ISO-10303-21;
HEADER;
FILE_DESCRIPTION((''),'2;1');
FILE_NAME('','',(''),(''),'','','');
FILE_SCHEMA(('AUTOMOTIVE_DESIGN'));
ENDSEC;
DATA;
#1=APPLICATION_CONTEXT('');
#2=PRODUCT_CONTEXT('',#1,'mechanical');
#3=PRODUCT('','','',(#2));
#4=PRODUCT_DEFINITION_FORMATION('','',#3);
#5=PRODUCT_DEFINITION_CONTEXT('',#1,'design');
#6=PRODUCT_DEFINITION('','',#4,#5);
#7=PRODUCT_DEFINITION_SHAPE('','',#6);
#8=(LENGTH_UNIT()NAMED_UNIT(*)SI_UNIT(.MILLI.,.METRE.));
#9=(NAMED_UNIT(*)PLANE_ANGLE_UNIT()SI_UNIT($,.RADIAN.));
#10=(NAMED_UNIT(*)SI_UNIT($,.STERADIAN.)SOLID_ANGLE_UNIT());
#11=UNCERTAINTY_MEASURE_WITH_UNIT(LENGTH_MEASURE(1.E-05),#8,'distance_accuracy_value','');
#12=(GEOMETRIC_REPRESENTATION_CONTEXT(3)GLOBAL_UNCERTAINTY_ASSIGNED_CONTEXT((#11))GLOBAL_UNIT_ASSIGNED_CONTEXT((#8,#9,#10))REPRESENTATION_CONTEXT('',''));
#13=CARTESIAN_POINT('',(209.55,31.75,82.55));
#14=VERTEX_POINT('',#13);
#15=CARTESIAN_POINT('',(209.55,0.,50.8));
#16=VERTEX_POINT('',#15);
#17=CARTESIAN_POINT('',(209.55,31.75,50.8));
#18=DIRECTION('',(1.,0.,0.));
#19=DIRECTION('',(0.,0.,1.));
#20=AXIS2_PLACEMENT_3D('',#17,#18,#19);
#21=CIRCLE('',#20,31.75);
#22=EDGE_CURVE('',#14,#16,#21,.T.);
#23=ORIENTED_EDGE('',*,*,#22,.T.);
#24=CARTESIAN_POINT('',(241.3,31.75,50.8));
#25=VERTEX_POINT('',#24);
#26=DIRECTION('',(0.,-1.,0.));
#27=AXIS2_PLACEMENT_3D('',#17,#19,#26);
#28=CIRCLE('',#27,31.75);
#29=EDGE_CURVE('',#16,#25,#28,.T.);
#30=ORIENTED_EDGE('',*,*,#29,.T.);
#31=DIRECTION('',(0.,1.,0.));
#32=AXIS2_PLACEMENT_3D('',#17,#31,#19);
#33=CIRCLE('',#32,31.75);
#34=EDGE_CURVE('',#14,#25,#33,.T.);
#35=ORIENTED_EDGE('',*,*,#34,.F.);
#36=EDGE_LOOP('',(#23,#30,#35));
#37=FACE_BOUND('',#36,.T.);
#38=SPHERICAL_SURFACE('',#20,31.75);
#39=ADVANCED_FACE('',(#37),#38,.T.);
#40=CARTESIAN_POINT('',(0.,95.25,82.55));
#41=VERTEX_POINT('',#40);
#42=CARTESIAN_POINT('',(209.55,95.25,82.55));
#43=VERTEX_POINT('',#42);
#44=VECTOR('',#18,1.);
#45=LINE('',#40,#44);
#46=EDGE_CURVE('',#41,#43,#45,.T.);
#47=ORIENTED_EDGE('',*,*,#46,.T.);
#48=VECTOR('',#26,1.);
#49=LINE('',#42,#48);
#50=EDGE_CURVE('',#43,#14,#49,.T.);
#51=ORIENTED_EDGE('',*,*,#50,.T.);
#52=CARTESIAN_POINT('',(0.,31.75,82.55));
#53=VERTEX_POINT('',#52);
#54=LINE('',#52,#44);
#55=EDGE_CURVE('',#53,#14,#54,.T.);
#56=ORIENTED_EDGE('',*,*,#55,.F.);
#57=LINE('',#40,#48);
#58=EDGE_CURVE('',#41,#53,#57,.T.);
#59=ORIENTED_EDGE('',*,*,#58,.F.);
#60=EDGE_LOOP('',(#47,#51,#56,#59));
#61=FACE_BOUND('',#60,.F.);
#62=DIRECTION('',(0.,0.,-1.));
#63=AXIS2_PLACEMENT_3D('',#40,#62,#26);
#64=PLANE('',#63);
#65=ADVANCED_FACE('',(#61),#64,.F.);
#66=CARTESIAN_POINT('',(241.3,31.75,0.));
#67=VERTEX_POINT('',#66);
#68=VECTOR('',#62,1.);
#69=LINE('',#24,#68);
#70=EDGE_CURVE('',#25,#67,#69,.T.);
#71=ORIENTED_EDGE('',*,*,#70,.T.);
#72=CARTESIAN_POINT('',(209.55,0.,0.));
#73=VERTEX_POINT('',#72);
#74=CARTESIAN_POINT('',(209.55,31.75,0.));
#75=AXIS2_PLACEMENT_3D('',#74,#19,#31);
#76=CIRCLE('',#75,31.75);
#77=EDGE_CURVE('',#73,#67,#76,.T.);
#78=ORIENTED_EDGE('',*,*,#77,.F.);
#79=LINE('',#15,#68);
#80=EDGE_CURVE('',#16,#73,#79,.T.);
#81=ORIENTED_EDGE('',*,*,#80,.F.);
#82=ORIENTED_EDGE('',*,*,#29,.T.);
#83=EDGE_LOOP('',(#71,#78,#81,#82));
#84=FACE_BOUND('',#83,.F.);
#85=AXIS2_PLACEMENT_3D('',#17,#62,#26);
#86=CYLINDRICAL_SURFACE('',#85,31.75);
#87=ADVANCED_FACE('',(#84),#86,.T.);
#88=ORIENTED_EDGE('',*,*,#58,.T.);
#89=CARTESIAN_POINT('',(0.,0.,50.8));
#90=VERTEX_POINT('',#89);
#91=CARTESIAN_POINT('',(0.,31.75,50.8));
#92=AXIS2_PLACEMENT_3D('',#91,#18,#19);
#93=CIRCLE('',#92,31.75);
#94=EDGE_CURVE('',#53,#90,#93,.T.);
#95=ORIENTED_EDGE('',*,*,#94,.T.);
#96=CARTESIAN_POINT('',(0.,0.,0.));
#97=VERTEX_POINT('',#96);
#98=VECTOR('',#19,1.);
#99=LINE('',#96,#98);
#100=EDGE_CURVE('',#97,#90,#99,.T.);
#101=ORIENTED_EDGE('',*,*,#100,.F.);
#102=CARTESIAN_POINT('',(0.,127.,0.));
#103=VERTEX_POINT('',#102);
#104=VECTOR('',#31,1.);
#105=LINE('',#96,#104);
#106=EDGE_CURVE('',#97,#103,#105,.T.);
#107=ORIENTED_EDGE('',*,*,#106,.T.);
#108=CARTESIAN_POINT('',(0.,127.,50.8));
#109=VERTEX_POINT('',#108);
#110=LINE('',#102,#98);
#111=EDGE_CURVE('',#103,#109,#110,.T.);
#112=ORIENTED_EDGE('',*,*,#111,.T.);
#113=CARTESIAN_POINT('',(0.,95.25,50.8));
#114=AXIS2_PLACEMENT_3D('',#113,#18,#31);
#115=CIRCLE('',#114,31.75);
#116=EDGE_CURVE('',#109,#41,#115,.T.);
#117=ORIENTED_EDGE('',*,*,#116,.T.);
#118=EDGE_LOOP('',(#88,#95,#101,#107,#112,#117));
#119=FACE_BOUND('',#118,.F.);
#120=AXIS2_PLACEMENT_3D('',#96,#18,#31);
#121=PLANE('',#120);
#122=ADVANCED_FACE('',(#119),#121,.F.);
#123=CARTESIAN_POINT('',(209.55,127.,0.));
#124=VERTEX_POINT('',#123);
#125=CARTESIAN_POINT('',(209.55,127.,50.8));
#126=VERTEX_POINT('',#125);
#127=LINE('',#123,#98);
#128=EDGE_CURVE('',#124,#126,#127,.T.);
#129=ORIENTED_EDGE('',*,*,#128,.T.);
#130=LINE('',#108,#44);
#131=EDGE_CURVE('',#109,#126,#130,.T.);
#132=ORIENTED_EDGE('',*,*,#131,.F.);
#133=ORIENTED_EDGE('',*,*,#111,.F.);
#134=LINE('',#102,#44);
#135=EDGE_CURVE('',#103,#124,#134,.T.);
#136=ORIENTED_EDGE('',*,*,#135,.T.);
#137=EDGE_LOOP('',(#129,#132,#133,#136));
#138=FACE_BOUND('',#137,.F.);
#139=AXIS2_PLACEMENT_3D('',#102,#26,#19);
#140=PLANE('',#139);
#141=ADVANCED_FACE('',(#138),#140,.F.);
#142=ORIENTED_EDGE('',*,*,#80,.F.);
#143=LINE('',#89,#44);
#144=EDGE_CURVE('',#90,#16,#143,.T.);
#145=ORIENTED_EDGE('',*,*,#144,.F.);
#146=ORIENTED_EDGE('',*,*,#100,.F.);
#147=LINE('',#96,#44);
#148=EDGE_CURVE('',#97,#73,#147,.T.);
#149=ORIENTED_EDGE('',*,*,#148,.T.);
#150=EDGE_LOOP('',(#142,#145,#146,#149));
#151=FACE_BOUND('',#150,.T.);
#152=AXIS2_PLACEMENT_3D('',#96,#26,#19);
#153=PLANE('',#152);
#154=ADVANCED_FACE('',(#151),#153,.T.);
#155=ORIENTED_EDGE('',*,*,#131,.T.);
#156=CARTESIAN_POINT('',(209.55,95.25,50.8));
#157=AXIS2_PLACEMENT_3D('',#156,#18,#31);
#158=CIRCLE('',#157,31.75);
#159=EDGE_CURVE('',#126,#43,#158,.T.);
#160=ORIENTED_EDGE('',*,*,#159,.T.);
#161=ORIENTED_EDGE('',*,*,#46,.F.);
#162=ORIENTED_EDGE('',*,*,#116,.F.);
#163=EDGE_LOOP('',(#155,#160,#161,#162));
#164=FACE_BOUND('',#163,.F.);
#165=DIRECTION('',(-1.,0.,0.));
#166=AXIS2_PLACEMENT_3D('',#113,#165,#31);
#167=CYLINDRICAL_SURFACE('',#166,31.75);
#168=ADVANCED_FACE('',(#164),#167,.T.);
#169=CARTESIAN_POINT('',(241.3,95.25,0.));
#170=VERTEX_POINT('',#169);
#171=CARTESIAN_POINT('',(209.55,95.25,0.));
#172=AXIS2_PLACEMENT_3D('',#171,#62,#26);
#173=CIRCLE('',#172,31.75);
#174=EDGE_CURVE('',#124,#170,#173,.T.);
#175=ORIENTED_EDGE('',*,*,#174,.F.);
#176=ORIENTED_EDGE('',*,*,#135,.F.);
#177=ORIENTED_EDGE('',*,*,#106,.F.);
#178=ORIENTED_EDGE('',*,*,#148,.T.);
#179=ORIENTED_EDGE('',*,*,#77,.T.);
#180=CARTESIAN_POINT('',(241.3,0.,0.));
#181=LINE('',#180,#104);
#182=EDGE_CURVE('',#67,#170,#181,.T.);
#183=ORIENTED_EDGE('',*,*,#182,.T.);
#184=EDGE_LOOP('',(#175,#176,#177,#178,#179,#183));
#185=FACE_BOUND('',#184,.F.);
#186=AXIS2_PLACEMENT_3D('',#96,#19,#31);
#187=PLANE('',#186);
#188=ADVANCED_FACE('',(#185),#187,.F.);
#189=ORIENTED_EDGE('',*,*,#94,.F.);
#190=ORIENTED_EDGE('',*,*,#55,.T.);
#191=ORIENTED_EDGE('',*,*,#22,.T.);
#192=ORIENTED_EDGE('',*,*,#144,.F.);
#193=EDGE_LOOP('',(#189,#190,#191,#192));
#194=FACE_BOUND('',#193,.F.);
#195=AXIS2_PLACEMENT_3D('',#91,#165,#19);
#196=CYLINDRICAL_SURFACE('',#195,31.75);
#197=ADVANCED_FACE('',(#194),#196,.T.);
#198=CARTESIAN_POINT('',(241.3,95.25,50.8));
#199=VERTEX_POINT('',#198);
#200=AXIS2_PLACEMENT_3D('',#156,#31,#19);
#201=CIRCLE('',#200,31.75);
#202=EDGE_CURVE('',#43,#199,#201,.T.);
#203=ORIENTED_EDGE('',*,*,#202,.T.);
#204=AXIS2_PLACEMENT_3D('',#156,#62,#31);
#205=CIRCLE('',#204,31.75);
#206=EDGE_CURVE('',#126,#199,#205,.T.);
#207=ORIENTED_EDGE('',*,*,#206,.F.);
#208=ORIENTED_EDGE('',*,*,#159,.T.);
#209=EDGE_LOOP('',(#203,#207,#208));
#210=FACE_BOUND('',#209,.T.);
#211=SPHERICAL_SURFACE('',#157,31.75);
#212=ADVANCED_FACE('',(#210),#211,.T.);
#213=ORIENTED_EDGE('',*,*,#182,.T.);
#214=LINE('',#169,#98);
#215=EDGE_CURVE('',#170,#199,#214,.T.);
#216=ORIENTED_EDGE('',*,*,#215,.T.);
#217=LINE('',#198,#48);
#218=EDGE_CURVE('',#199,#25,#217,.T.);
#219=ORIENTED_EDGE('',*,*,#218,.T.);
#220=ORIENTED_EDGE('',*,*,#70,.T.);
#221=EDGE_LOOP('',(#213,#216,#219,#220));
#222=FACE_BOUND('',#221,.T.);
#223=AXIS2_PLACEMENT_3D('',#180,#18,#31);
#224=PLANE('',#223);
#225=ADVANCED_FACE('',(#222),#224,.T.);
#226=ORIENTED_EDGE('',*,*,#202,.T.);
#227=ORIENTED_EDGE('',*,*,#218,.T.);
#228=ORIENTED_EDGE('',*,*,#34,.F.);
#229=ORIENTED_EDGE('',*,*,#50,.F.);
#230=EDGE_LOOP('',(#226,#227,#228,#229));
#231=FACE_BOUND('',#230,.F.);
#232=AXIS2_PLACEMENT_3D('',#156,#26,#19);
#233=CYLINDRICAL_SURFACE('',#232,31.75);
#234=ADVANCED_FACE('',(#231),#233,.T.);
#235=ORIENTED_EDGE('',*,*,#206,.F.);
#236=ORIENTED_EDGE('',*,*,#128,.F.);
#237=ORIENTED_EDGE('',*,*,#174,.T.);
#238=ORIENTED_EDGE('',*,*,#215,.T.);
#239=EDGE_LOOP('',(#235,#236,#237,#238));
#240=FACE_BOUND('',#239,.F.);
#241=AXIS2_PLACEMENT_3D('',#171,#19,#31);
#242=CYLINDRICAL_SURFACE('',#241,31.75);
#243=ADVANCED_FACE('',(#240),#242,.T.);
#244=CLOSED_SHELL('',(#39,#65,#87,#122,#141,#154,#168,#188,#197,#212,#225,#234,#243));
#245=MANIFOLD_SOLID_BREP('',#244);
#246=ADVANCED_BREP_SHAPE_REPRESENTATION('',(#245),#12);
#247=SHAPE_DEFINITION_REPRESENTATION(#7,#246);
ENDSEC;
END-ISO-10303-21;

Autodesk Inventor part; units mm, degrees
ref_plane "YZ Plane" through (0, 0, 0) normal (1, 0, 0) x (0, 1, 0)
ref_plane "XZ Plane" through (0, 0, 0) normal (0, 1, 0) x (-1, 0, 0)
ref_plane "XY Plane" through (0, 0, 0) normal (0, 0, 1) x (1, 0, 0)
sketch "Sketch1" plane through (0, 0, 0) normal (1, 0, 0) x (0, 1, 0)
  line L0 (0, 0) -> (127, 0)
  line L1 (127, 0) -> (127, 50.8)
  line L2 (0, 0) -> (0, 50.8)
  arc A0 (95.25, 82.55) -> (127, 50.8) centre (95.25, 50.8) ccw construction
  arc A1 (31.75, 82.55) -> (0, 50.8) centre (31.75, 50.8) ccw
  line L3 (95.25, 82.55) -> (31.75, 82.55)
  arc A2 (127, 50.8) -> (95.25, 82.55) centre (95.25, 50.8) ccw
  line L4 (127, 19.05) -> (0, 19.05) construction
  dimension "d0" = 127
  dimension "d1" = 63.5
  dimension "d2" = 19.05
extrude "Extrusion1" add sketch "Sketch1" along normal blind 241.3
fillet "Fillet1" radius 31.75 5 edges at (241.3, 117.7006, 73.2506) (241.3, 63.5, 82.55) (241.3, 9.2994, 73.2506) (241.3, 0, 25.4) (241.3, 127, 25.4)
properties part number "Front Bumper"
